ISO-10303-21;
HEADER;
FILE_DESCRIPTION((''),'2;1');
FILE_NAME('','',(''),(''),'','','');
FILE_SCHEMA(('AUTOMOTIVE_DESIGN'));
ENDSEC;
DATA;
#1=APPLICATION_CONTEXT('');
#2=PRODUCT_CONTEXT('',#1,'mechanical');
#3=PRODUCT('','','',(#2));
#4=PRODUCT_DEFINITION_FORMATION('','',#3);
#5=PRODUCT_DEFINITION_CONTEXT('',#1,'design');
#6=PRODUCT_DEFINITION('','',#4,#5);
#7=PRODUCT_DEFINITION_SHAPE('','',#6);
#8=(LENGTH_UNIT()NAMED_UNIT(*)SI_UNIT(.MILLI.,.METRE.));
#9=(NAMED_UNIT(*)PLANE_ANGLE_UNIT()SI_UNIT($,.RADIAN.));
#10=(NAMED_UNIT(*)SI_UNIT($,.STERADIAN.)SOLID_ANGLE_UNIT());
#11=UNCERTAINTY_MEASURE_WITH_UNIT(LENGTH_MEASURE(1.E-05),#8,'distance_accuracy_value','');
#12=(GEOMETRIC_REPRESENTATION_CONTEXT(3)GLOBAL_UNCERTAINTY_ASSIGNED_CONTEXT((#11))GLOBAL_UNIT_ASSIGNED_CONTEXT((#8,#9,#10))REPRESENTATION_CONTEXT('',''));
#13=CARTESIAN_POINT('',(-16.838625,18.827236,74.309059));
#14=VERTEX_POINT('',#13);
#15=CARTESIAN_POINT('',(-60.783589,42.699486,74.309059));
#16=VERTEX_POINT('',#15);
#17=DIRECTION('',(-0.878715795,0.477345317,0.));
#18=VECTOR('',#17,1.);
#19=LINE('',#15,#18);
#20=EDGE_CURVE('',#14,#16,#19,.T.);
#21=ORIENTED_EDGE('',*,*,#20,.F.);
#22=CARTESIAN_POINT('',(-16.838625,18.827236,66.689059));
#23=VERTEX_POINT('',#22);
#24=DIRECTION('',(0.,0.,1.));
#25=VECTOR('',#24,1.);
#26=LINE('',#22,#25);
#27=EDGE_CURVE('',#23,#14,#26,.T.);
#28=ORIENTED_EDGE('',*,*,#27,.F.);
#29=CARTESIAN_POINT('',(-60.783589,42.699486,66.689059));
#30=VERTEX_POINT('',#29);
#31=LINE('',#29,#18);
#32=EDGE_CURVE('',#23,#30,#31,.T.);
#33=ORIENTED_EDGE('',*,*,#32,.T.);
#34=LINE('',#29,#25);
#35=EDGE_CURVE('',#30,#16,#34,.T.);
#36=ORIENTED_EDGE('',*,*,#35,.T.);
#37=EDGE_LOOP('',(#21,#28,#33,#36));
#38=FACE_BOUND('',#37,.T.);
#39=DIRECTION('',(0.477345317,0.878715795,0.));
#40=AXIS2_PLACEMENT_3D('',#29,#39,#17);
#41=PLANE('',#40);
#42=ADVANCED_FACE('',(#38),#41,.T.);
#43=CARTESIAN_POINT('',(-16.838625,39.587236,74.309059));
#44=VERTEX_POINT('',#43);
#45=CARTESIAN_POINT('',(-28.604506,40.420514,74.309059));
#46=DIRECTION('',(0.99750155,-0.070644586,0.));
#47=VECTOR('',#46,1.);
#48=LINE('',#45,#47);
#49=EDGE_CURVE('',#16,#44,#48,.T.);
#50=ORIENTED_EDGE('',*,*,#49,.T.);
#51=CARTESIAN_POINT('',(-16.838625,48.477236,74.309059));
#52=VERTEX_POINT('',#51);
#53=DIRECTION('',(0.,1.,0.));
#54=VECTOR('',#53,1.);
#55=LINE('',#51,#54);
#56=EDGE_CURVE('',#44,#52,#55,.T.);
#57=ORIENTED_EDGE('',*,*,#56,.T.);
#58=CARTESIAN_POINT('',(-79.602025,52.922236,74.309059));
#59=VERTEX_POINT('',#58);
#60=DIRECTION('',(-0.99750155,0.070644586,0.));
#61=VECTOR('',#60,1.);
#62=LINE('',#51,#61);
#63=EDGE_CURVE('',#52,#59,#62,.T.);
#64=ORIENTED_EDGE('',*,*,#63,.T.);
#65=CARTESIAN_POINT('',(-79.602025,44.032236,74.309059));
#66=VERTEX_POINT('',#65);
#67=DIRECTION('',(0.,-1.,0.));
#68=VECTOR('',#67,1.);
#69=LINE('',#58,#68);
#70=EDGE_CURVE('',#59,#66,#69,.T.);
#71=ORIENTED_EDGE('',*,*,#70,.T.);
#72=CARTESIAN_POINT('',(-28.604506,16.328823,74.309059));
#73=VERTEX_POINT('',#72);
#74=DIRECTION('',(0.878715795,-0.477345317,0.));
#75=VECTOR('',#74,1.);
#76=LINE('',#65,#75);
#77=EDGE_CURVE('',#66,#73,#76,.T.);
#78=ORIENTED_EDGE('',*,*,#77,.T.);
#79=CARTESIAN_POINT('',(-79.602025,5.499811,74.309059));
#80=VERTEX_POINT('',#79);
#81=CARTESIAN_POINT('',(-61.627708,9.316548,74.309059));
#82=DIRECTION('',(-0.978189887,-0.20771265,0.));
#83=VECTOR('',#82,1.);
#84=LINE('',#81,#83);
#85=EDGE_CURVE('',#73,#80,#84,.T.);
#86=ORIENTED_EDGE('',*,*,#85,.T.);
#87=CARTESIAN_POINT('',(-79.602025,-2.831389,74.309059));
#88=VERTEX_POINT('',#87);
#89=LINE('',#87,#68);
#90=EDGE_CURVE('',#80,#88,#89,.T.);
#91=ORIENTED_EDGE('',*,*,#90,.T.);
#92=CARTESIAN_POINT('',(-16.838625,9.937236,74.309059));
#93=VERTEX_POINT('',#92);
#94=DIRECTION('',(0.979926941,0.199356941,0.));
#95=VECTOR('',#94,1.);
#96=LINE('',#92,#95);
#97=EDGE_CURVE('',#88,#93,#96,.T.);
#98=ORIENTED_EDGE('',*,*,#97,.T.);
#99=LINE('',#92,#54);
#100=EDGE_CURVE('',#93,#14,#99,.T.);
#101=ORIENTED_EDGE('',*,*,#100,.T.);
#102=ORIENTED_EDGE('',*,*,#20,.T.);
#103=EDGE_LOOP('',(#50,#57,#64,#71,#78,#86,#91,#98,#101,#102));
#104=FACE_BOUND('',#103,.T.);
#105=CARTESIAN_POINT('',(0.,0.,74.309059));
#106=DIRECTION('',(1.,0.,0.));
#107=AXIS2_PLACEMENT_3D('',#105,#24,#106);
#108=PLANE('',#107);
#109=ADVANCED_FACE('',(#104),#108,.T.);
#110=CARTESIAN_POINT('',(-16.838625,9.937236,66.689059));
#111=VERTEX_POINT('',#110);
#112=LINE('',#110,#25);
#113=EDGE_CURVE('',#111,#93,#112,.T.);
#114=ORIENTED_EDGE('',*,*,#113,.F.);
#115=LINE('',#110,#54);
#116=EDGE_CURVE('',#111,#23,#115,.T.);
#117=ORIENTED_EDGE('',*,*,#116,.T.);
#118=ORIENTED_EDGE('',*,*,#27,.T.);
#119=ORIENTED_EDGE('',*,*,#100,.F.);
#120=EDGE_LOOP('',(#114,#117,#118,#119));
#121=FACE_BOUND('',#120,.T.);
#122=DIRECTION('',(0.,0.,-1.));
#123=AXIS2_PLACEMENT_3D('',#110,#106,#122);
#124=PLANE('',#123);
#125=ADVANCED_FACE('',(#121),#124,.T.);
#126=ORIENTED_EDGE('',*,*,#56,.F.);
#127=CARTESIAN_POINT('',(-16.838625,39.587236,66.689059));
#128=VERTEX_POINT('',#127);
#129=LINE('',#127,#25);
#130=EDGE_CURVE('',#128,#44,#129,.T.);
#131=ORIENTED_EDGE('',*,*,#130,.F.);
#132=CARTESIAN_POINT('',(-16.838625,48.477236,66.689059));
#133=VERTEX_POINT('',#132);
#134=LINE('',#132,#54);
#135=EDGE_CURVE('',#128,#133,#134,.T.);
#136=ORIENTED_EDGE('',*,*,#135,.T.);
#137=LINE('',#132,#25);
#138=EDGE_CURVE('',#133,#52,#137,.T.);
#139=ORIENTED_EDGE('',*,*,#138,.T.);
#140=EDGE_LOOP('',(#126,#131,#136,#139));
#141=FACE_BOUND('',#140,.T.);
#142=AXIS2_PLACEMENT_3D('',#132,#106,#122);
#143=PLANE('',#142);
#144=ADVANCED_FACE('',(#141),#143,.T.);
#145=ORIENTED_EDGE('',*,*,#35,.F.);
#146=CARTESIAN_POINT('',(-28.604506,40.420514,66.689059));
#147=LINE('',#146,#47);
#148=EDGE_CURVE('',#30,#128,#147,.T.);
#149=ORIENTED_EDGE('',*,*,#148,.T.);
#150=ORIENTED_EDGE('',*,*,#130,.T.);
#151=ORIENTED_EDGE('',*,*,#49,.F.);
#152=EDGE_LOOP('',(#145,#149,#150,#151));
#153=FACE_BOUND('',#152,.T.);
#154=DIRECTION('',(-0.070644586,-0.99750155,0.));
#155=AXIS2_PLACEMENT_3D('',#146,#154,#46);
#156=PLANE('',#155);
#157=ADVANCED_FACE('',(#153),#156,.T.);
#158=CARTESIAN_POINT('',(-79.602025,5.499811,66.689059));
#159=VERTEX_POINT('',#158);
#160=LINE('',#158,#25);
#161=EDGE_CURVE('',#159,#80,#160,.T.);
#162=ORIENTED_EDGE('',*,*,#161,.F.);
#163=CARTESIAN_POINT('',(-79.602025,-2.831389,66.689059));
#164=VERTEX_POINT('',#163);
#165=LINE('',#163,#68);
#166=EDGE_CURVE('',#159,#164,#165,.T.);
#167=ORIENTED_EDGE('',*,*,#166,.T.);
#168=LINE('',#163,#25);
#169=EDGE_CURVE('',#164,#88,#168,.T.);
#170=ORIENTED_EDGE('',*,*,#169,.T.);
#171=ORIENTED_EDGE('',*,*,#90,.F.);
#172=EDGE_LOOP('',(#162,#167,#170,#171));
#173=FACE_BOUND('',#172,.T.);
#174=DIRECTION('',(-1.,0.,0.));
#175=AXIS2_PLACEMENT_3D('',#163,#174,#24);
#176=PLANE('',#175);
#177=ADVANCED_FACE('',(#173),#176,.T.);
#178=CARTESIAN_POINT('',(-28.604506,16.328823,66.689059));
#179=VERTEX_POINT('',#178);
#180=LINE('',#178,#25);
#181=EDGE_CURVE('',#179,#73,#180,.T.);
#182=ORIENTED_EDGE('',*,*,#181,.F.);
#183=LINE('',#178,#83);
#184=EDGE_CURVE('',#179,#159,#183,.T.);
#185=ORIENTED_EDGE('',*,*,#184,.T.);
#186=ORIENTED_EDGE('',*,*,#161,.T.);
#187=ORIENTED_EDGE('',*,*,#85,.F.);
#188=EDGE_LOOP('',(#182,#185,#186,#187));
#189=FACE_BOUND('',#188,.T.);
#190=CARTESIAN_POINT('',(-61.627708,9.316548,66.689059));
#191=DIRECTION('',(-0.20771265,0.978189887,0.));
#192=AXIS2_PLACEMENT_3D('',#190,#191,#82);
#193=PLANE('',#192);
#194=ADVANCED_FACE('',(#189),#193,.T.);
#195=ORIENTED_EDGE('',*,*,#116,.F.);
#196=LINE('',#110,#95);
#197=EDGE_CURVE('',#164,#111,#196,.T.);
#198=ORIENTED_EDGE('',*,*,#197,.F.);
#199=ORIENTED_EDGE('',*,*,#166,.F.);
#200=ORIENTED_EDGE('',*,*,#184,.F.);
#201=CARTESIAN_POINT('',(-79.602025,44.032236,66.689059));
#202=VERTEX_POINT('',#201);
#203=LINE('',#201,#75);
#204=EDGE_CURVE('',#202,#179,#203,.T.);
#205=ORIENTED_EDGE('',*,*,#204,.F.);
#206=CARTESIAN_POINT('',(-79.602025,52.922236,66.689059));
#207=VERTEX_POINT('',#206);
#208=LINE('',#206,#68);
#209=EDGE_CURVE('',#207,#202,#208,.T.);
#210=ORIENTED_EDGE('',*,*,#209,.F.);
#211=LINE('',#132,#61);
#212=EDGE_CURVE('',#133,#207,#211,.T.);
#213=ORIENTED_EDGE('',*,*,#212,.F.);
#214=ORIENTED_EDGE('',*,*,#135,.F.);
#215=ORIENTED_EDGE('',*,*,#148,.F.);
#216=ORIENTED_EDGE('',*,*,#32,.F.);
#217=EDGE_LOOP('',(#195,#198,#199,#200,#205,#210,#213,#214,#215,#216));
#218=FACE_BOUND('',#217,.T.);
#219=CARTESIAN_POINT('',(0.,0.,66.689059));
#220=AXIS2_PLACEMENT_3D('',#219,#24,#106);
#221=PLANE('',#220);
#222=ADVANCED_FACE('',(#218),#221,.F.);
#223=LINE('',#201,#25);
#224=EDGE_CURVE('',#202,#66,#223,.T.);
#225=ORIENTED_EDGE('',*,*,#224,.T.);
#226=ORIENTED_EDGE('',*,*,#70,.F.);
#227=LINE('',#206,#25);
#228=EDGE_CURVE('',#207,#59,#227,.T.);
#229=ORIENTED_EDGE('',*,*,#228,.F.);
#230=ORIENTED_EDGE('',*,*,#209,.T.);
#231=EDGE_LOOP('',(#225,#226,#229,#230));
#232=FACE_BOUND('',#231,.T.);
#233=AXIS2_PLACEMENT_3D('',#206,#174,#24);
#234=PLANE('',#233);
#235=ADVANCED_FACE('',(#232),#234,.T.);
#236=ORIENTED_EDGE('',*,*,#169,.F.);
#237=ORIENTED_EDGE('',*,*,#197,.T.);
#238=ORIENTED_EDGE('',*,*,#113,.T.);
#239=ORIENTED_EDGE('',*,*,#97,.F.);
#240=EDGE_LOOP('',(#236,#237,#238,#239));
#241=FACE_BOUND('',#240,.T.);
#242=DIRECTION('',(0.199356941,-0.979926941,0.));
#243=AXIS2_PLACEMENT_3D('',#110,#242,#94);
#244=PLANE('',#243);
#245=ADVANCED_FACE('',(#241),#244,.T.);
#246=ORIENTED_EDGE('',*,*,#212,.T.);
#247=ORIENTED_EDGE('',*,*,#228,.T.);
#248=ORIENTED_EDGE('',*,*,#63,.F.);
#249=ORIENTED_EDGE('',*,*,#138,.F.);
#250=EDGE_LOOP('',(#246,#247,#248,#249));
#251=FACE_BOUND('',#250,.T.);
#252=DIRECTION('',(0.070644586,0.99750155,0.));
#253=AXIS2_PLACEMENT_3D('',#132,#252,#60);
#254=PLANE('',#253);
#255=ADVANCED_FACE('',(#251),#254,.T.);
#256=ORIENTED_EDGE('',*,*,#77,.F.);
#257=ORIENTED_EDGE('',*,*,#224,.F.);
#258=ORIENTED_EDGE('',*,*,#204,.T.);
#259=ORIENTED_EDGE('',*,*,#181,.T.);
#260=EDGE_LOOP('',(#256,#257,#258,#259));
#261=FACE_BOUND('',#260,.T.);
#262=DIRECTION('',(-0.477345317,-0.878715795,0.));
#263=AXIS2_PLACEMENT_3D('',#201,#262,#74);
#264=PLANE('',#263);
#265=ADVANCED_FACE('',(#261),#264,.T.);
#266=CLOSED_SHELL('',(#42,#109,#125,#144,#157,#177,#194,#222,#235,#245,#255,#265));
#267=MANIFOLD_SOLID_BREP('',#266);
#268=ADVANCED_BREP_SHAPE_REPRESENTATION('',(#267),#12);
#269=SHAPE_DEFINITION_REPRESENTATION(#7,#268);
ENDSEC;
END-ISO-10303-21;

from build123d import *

# Parameters (mm, degrees)
BOSS_EXTRUDE1_DEPTH = 7.62


with BuildPart() as part:
    # Sketch1 → Boss-Extrude1 (new body)
    with BuildSketch(Plane.XY.offset(74.309059093)):
        Polygon((-16.83862503, 48.477236207), (-79.60202503, 52.922236207), (-79.60202503, 44.032236207), (-28.604506433, 16.328823125), (-61.627708465, 9.316547792), (-79.60202503, 5.499811409), (-79.60202503, -2.831388591), (-16.83862503, 9.937236207), (-16.83862503, 18.827236207), (-60.783589078, 42.699485785), (-28.604506433, 40.420513926), (-16.83862503, 39.587236207), align=None)
    extrude(amount=-BOSS_EXTRUDE1_DEPTH)


solid = part.part
